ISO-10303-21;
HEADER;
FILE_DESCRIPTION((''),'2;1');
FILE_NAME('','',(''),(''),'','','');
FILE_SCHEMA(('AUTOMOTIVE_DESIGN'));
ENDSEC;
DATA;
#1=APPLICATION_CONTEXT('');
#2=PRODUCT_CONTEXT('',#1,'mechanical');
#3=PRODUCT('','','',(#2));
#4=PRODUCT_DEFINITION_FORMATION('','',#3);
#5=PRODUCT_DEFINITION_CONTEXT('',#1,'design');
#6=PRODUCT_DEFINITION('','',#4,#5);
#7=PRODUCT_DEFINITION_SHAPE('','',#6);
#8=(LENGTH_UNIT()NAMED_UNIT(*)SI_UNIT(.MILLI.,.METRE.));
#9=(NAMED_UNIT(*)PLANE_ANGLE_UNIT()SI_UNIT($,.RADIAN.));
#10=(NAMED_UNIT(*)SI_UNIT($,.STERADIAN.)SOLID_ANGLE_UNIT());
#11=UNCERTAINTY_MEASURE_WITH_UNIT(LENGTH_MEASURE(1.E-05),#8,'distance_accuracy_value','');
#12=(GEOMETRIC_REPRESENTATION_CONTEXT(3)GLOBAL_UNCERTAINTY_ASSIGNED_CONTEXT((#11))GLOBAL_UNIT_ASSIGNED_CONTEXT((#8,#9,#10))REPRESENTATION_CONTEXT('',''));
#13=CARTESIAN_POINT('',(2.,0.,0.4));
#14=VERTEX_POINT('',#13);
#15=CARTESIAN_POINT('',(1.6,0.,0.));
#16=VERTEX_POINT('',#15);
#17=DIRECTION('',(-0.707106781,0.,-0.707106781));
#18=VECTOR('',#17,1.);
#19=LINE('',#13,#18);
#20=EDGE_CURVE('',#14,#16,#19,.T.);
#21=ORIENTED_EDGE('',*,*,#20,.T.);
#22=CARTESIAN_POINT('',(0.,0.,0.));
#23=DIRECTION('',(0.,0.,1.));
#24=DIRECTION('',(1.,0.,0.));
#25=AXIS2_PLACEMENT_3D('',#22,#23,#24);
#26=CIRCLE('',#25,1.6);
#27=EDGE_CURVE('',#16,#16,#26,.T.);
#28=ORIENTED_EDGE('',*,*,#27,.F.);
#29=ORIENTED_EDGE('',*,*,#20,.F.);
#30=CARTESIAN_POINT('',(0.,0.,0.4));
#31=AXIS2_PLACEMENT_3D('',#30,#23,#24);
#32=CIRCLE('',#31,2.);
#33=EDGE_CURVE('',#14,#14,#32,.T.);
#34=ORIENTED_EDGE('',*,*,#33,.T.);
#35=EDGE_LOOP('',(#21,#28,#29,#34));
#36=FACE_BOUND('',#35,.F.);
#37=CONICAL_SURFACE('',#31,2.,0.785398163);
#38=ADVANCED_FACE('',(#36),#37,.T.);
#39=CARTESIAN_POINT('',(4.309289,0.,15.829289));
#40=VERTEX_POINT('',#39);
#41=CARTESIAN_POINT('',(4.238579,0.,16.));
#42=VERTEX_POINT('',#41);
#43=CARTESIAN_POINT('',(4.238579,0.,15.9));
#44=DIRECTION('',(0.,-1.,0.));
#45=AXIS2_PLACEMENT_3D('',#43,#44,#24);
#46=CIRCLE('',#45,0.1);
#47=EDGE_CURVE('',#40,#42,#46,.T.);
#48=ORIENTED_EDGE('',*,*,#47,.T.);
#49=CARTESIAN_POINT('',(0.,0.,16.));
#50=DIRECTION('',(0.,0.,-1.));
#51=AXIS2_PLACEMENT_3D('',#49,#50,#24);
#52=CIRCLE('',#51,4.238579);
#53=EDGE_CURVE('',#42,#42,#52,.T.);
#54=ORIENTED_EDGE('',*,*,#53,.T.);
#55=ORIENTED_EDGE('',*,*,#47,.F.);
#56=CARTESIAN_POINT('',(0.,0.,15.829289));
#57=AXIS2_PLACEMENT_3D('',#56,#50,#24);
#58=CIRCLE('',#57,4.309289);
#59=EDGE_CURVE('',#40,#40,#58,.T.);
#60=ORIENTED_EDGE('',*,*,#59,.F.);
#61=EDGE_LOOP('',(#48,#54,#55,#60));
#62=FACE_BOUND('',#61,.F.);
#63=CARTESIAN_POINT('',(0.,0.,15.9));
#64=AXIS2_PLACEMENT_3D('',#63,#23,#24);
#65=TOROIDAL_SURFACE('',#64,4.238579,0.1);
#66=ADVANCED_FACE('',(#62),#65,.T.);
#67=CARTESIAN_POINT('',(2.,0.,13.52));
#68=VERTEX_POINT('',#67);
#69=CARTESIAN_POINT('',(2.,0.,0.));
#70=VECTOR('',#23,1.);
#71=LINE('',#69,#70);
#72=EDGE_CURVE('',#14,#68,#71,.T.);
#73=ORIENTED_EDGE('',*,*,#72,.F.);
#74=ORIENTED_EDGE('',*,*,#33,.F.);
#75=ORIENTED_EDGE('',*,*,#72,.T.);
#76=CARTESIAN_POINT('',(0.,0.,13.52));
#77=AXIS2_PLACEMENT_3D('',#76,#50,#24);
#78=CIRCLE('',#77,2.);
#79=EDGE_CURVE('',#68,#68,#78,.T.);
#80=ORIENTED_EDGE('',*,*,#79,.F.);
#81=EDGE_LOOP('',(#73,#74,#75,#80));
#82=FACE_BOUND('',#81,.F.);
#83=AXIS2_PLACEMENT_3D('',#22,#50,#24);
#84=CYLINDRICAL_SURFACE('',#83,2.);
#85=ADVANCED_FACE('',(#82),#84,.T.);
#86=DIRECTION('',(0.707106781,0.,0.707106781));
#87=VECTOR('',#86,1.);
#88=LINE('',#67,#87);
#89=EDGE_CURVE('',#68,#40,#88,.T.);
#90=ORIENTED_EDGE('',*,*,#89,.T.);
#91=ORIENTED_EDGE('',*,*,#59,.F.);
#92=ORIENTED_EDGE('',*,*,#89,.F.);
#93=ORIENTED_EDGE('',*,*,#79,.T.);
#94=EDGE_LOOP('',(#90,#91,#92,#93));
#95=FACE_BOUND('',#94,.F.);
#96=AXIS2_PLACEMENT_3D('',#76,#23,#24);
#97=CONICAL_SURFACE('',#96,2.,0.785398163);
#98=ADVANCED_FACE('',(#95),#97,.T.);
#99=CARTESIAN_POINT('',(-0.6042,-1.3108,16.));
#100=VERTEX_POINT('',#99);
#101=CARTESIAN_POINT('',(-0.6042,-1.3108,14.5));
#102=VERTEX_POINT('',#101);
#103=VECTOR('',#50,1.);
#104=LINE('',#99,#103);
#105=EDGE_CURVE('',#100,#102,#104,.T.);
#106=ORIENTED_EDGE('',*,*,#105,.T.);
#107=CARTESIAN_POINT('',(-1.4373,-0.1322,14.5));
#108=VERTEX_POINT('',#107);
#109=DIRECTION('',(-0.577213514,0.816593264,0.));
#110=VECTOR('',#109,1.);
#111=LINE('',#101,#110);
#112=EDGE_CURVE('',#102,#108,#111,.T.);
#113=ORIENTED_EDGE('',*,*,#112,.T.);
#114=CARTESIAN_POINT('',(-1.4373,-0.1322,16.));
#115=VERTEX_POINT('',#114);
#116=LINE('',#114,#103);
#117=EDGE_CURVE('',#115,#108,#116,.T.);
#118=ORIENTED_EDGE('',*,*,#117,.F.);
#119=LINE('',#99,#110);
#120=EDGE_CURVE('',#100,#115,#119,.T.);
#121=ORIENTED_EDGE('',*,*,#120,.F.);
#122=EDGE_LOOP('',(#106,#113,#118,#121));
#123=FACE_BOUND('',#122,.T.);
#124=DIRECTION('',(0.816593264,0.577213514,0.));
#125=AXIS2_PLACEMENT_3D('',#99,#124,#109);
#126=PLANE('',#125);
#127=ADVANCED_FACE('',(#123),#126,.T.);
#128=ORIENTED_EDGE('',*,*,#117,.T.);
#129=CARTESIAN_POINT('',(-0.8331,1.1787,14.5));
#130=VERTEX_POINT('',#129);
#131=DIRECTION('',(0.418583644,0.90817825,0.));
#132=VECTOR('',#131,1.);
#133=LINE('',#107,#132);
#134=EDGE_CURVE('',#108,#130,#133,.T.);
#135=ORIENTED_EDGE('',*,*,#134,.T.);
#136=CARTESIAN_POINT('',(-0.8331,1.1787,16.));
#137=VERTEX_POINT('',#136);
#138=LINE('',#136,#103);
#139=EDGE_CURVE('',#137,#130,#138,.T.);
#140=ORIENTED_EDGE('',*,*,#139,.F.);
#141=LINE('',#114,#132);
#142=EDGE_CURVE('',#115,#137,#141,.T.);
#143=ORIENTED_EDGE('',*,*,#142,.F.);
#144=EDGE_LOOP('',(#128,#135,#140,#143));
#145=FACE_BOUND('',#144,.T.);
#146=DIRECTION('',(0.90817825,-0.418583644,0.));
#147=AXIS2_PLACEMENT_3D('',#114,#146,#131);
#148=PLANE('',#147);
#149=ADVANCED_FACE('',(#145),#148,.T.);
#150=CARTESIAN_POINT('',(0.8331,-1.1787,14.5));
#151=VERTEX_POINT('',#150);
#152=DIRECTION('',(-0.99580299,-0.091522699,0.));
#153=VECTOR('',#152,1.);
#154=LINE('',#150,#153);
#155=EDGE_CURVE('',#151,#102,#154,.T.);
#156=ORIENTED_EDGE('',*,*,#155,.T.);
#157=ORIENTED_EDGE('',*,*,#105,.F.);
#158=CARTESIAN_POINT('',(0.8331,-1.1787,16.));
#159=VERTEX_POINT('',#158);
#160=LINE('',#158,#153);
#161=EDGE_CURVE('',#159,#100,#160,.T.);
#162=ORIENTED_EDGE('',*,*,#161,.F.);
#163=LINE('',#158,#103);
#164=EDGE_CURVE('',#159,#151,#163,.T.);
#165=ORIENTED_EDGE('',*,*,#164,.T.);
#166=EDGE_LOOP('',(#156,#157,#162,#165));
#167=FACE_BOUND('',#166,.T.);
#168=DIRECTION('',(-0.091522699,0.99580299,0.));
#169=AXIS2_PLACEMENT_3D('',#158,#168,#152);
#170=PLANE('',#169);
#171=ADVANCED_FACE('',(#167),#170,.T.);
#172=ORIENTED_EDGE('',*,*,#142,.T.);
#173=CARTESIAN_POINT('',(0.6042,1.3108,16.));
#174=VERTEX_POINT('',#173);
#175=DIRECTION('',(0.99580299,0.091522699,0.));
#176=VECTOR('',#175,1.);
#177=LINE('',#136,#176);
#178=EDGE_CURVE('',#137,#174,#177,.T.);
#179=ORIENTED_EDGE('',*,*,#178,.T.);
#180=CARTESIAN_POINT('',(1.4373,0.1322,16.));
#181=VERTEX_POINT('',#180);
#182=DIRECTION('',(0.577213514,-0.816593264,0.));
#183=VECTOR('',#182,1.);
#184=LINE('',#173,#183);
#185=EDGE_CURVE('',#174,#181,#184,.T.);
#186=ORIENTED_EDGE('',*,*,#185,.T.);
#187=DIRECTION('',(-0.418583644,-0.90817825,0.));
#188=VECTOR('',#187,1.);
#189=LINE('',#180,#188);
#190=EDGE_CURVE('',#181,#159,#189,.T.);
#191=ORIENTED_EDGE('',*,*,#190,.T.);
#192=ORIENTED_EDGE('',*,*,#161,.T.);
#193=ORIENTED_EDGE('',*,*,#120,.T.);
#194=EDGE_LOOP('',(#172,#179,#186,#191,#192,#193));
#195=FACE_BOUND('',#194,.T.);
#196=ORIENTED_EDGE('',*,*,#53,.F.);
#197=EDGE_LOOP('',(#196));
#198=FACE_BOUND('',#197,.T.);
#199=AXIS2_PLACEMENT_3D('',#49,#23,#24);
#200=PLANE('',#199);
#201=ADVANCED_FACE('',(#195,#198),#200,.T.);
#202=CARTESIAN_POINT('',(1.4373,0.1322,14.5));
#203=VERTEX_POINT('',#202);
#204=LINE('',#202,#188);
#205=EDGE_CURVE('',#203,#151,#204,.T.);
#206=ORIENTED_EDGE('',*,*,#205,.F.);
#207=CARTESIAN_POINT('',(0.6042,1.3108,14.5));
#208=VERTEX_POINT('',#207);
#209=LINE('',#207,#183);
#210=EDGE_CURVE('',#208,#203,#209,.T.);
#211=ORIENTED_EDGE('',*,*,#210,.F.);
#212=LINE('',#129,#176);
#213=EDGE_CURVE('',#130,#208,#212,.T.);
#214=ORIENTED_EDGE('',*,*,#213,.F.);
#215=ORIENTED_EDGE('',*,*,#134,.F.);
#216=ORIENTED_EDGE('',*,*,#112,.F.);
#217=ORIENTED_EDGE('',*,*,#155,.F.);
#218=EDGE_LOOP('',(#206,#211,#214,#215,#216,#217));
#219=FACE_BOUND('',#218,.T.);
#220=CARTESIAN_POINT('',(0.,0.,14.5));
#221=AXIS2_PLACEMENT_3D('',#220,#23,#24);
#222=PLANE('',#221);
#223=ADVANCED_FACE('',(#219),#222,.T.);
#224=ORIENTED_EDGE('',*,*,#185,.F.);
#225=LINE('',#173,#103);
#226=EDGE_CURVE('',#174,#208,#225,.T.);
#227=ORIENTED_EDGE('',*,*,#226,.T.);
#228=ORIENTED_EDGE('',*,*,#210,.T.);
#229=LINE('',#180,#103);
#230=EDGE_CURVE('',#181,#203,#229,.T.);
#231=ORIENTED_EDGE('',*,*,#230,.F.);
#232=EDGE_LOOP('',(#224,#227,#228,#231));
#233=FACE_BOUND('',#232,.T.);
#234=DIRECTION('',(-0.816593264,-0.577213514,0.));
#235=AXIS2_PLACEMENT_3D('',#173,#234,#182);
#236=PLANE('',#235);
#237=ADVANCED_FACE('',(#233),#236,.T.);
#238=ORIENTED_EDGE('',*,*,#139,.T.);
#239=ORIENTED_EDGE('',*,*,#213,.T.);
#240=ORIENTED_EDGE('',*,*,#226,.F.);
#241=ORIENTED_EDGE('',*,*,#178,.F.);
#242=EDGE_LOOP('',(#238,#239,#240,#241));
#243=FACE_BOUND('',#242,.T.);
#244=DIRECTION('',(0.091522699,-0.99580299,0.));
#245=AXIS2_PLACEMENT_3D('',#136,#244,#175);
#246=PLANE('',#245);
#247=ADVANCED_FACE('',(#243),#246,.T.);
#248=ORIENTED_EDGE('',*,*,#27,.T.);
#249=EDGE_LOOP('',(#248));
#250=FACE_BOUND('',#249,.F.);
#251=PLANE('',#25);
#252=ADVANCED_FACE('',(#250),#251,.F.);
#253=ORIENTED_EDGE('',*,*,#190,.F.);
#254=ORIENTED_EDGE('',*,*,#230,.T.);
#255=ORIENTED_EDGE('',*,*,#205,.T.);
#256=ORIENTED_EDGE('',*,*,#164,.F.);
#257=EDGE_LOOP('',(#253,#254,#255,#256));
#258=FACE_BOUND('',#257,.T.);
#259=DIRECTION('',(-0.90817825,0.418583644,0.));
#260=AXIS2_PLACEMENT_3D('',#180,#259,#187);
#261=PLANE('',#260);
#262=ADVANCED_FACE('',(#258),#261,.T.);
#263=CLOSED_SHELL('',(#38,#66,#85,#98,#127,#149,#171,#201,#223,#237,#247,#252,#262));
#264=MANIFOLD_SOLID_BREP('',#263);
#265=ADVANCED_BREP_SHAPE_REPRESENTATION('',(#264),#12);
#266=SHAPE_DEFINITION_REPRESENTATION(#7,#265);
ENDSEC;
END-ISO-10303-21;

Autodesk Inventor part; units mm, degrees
ref_plane "YZ Plane" through (0, 0, 0) normal (1, 0, 0) x (0, 1, 0)
ref_plane "XZ Plane" through (0, 0, 0) normal (0, 1, 0) x (-1, 0, 0)
ref_plane "XY Plane" through (0, 0, 0) normal (0, 0, 1) x (1, 0, 0)
sketch "Sketch1" plane through (0, 0, 0) normal (0, 0, 1) x (1, 0, 0)
  circle A0 centre (0, 0) radius 2
  dimension "Diameter" = 4
extrude "Extrusion1" add sketch "Sketch1" along normal blind 13.52
sketch "Sketch2" plane through (0, 0, 13.52) normal (0, 0, 1) x (1, 0, 0)
  circle A0 centre (0, 0) radius 2 projected
extrude "Extrusion2" add sketch "Sketch2" along normal blind 2.48 draft 45
sketch "Sketch3" plane through (0, 0, 16) normal (0, 0, 1) x (1, 0, 0)
  circle A0 centre (0, 0) radius 4.48 projected
  circle A1 centre (0, 0) radius 1.4434 construction
  line L0 (0.6042, 1.3108) -> (1.4373, 0.1322)
  line L1 (1.4373, 0.1322) -> (0.8331, -1.1787)
  line L2 (0.8331, -1.1787) -> (-0.6042, -1.3108)
  line L3 (-0.6042, -1.3108) -> (-1.4373, -0.1322)
  line L4 (-1.4373, -0.1322) -> (-0.8331, 1.1787)
  line L5 (-0.8331, 1.1787) -> (0.6042, 1.3108)
  dimension "Hex_Width" = 2.5
extrude "Extrusion3" cut sketch "Sketch3" against normal blind 1.5 contours L0 L1 L2 L3 L4 L5
thread "Thread1" size "M4x0.7" class "4g6g" standard "ANSI Metric M Profile" full length
chamfer "Chamfer2" distance 0.4 angle 45 1 edges at (-2, 0, 0)
fillet "Fillet1" radius 0.1 1 edges at (-4.48, 0, 16)
equation "\"d10\" = Thread_Length"
equation "\"d13\" = Chamfer"
equation "\"Thread_Length\" = 7.52"
equation "\"Chamfer\" = 0.4"
properties part number "SCREW, FLAT HD, P, 12.9, M4X0.7X16MM"
